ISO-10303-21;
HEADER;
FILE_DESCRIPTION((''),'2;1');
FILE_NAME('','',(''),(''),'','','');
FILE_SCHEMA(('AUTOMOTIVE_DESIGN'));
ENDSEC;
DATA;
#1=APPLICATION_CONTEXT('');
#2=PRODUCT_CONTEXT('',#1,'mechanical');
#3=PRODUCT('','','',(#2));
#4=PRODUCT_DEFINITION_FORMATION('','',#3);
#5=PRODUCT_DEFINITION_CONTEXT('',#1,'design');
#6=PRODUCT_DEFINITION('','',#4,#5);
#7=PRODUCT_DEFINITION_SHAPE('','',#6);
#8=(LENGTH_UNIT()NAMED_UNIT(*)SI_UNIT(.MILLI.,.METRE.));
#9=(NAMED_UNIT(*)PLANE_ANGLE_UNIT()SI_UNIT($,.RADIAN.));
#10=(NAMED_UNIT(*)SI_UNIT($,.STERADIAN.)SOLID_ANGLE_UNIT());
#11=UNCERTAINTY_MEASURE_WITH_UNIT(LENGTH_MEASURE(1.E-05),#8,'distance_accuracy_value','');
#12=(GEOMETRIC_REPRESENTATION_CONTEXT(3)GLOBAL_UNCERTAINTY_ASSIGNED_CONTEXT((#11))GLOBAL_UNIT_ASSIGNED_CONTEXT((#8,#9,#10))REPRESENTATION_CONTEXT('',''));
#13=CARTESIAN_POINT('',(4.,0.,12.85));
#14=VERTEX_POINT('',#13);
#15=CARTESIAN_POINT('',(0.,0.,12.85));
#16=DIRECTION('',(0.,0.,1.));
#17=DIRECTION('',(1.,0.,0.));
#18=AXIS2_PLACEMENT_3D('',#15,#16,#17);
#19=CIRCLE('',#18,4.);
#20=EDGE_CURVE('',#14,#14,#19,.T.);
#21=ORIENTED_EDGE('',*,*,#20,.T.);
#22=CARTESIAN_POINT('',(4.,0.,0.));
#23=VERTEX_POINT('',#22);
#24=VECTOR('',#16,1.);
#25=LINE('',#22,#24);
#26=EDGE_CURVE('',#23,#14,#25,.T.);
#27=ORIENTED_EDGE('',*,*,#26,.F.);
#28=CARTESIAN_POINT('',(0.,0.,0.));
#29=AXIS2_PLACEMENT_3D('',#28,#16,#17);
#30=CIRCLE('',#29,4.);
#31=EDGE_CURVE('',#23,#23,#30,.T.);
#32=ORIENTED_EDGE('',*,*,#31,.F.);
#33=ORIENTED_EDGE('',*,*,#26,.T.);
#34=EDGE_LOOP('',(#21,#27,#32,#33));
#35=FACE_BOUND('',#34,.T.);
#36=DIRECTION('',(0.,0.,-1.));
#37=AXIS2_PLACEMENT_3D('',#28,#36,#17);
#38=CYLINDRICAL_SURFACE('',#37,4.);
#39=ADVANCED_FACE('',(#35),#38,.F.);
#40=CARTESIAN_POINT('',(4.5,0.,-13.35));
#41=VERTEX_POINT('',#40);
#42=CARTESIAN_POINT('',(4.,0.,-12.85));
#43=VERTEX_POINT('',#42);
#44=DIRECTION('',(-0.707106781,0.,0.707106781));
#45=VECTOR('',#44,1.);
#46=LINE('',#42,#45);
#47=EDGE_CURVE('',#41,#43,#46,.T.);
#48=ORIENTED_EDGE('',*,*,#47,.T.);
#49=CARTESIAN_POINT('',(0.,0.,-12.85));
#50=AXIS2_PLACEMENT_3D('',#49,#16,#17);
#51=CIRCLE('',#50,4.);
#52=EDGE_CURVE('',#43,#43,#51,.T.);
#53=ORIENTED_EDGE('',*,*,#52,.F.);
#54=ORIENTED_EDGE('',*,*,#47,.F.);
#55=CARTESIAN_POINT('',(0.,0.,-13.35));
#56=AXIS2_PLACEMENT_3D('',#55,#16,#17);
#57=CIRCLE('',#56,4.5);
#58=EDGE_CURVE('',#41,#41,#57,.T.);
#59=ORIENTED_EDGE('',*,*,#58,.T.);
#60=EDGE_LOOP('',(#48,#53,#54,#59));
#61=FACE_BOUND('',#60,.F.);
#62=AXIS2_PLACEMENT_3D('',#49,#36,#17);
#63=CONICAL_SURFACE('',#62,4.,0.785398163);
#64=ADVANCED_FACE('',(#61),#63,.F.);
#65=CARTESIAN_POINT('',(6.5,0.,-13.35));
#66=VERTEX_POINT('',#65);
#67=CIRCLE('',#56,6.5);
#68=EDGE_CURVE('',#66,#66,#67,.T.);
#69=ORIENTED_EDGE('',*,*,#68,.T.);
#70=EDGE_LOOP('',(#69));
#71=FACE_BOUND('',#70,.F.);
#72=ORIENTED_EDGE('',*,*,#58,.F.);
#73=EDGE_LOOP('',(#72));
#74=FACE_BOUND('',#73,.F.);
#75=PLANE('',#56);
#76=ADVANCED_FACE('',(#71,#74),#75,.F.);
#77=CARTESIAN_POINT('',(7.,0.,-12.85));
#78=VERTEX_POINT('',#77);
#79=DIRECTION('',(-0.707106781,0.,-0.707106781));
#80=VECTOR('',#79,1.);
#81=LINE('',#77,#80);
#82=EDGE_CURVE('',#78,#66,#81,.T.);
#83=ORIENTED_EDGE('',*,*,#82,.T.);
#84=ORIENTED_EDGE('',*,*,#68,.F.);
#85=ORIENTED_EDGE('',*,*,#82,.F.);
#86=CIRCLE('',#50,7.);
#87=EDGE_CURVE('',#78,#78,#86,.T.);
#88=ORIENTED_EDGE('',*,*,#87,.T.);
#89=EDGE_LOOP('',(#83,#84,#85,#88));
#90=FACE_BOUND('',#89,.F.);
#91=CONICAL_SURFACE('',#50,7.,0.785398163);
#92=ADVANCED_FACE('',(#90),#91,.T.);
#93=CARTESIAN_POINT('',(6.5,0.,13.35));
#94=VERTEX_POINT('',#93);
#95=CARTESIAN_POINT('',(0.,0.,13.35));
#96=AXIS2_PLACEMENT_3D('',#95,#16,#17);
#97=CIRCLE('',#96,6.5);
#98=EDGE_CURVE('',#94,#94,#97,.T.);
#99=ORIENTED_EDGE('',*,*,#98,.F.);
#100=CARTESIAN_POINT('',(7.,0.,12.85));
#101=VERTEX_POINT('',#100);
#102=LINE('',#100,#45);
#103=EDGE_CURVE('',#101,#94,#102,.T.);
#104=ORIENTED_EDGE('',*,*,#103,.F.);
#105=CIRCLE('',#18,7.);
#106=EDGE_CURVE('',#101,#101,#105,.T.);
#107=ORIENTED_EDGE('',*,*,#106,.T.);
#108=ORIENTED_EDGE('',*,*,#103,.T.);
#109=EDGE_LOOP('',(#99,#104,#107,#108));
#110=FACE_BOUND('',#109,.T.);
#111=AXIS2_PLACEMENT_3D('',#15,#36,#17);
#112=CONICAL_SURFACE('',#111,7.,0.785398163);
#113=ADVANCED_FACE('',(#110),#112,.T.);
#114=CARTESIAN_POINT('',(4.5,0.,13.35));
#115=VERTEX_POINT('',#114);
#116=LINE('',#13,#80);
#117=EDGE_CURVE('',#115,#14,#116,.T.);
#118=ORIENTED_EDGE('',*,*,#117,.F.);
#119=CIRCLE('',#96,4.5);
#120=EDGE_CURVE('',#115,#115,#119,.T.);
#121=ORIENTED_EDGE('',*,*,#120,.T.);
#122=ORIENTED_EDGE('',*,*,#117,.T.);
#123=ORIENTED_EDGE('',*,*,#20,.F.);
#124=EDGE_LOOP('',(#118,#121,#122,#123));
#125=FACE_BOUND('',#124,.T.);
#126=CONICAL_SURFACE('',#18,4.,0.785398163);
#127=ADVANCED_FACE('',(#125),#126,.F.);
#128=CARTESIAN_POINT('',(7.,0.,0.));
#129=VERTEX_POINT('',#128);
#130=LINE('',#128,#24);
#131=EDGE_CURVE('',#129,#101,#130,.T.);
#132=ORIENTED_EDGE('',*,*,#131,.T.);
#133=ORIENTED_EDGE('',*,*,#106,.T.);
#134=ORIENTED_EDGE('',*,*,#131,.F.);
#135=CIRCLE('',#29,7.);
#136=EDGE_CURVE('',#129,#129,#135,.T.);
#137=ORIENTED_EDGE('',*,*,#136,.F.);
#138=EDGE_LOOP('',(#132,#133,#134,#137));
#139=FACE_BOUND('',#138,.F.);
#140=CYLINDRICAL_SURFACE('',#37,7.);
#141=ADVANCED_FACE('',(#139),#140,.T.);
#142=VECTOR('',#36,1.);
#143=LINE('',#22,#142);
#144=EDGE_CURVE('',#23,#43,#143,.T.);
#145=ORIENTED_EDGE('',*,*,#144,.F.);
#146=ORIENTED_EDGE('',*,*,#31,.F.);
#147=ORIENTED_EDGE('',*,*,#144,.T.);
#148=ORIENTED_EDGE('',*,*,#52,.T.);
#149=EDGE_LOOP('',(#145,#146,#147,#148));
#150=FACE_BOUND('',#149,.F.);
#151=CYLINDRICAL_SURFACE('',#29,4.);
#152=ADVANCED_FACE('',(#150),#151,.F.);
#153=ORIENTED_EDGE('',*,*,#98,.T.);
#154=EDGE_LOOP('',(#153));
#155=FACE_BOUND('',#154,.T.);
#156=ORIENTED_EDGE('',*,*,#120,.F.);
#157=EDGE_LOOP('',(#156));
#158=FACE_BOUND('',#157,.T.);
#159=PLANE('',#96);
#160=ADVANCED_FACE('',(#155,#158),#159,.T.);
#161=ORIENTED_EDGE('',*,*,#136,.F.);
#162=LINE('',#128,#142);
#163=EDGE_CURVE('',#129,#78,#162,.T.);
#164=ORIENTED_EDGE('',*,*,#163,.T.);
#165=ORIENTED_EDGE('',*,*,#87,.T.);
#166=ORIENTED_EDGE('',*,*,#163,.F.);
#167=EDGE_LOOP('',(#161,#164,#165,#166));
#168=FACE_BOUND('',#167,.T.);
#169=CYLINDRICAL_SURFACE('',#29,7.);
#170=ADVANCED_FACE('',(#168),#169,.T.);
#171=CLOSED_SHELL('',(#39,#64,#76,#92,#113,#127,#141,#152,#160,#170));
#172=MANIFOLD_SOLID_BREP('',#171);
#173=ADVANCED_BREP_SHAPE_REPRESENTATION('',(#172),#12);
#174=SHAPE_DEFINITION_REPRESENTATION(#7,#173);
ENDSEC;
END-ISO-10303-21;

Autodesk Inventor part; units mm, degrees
ref_plane "YZ Plane" through (0, 0, 0) normal (1, 0, 0) x (0, 1, 0)
ref_plane "XZ Plane" through (0, 0, 0) normal (0, 1, 0) x (-1, 0, 0)
ref_plane "XY Plane" through (0, 0, 0) normal (0, 0, 1) x (1, 0, 0)
sketch "スケッチ1" plane through (0, 0, 0) normal (0, 0, 1) x (1, 0, 0)
  circle A0 centre (0, 0) radius 4
  circle A1 centre (0, 0) radius 7
  dimension "d0" = 8
  dimension "d1" = 14
extrude "押し出し1" add sketch "スケッチ1" along normal mid plane 26.7
chamfer "面取り1" distance 0.5 angle 45 4 edges at (-7, 0, 13.35) (-4, 0, 13.35) (-7, 0, -13.35) (-4, 0, -13.35)
properties part number "spacer7" material "ABS プラスチック"
